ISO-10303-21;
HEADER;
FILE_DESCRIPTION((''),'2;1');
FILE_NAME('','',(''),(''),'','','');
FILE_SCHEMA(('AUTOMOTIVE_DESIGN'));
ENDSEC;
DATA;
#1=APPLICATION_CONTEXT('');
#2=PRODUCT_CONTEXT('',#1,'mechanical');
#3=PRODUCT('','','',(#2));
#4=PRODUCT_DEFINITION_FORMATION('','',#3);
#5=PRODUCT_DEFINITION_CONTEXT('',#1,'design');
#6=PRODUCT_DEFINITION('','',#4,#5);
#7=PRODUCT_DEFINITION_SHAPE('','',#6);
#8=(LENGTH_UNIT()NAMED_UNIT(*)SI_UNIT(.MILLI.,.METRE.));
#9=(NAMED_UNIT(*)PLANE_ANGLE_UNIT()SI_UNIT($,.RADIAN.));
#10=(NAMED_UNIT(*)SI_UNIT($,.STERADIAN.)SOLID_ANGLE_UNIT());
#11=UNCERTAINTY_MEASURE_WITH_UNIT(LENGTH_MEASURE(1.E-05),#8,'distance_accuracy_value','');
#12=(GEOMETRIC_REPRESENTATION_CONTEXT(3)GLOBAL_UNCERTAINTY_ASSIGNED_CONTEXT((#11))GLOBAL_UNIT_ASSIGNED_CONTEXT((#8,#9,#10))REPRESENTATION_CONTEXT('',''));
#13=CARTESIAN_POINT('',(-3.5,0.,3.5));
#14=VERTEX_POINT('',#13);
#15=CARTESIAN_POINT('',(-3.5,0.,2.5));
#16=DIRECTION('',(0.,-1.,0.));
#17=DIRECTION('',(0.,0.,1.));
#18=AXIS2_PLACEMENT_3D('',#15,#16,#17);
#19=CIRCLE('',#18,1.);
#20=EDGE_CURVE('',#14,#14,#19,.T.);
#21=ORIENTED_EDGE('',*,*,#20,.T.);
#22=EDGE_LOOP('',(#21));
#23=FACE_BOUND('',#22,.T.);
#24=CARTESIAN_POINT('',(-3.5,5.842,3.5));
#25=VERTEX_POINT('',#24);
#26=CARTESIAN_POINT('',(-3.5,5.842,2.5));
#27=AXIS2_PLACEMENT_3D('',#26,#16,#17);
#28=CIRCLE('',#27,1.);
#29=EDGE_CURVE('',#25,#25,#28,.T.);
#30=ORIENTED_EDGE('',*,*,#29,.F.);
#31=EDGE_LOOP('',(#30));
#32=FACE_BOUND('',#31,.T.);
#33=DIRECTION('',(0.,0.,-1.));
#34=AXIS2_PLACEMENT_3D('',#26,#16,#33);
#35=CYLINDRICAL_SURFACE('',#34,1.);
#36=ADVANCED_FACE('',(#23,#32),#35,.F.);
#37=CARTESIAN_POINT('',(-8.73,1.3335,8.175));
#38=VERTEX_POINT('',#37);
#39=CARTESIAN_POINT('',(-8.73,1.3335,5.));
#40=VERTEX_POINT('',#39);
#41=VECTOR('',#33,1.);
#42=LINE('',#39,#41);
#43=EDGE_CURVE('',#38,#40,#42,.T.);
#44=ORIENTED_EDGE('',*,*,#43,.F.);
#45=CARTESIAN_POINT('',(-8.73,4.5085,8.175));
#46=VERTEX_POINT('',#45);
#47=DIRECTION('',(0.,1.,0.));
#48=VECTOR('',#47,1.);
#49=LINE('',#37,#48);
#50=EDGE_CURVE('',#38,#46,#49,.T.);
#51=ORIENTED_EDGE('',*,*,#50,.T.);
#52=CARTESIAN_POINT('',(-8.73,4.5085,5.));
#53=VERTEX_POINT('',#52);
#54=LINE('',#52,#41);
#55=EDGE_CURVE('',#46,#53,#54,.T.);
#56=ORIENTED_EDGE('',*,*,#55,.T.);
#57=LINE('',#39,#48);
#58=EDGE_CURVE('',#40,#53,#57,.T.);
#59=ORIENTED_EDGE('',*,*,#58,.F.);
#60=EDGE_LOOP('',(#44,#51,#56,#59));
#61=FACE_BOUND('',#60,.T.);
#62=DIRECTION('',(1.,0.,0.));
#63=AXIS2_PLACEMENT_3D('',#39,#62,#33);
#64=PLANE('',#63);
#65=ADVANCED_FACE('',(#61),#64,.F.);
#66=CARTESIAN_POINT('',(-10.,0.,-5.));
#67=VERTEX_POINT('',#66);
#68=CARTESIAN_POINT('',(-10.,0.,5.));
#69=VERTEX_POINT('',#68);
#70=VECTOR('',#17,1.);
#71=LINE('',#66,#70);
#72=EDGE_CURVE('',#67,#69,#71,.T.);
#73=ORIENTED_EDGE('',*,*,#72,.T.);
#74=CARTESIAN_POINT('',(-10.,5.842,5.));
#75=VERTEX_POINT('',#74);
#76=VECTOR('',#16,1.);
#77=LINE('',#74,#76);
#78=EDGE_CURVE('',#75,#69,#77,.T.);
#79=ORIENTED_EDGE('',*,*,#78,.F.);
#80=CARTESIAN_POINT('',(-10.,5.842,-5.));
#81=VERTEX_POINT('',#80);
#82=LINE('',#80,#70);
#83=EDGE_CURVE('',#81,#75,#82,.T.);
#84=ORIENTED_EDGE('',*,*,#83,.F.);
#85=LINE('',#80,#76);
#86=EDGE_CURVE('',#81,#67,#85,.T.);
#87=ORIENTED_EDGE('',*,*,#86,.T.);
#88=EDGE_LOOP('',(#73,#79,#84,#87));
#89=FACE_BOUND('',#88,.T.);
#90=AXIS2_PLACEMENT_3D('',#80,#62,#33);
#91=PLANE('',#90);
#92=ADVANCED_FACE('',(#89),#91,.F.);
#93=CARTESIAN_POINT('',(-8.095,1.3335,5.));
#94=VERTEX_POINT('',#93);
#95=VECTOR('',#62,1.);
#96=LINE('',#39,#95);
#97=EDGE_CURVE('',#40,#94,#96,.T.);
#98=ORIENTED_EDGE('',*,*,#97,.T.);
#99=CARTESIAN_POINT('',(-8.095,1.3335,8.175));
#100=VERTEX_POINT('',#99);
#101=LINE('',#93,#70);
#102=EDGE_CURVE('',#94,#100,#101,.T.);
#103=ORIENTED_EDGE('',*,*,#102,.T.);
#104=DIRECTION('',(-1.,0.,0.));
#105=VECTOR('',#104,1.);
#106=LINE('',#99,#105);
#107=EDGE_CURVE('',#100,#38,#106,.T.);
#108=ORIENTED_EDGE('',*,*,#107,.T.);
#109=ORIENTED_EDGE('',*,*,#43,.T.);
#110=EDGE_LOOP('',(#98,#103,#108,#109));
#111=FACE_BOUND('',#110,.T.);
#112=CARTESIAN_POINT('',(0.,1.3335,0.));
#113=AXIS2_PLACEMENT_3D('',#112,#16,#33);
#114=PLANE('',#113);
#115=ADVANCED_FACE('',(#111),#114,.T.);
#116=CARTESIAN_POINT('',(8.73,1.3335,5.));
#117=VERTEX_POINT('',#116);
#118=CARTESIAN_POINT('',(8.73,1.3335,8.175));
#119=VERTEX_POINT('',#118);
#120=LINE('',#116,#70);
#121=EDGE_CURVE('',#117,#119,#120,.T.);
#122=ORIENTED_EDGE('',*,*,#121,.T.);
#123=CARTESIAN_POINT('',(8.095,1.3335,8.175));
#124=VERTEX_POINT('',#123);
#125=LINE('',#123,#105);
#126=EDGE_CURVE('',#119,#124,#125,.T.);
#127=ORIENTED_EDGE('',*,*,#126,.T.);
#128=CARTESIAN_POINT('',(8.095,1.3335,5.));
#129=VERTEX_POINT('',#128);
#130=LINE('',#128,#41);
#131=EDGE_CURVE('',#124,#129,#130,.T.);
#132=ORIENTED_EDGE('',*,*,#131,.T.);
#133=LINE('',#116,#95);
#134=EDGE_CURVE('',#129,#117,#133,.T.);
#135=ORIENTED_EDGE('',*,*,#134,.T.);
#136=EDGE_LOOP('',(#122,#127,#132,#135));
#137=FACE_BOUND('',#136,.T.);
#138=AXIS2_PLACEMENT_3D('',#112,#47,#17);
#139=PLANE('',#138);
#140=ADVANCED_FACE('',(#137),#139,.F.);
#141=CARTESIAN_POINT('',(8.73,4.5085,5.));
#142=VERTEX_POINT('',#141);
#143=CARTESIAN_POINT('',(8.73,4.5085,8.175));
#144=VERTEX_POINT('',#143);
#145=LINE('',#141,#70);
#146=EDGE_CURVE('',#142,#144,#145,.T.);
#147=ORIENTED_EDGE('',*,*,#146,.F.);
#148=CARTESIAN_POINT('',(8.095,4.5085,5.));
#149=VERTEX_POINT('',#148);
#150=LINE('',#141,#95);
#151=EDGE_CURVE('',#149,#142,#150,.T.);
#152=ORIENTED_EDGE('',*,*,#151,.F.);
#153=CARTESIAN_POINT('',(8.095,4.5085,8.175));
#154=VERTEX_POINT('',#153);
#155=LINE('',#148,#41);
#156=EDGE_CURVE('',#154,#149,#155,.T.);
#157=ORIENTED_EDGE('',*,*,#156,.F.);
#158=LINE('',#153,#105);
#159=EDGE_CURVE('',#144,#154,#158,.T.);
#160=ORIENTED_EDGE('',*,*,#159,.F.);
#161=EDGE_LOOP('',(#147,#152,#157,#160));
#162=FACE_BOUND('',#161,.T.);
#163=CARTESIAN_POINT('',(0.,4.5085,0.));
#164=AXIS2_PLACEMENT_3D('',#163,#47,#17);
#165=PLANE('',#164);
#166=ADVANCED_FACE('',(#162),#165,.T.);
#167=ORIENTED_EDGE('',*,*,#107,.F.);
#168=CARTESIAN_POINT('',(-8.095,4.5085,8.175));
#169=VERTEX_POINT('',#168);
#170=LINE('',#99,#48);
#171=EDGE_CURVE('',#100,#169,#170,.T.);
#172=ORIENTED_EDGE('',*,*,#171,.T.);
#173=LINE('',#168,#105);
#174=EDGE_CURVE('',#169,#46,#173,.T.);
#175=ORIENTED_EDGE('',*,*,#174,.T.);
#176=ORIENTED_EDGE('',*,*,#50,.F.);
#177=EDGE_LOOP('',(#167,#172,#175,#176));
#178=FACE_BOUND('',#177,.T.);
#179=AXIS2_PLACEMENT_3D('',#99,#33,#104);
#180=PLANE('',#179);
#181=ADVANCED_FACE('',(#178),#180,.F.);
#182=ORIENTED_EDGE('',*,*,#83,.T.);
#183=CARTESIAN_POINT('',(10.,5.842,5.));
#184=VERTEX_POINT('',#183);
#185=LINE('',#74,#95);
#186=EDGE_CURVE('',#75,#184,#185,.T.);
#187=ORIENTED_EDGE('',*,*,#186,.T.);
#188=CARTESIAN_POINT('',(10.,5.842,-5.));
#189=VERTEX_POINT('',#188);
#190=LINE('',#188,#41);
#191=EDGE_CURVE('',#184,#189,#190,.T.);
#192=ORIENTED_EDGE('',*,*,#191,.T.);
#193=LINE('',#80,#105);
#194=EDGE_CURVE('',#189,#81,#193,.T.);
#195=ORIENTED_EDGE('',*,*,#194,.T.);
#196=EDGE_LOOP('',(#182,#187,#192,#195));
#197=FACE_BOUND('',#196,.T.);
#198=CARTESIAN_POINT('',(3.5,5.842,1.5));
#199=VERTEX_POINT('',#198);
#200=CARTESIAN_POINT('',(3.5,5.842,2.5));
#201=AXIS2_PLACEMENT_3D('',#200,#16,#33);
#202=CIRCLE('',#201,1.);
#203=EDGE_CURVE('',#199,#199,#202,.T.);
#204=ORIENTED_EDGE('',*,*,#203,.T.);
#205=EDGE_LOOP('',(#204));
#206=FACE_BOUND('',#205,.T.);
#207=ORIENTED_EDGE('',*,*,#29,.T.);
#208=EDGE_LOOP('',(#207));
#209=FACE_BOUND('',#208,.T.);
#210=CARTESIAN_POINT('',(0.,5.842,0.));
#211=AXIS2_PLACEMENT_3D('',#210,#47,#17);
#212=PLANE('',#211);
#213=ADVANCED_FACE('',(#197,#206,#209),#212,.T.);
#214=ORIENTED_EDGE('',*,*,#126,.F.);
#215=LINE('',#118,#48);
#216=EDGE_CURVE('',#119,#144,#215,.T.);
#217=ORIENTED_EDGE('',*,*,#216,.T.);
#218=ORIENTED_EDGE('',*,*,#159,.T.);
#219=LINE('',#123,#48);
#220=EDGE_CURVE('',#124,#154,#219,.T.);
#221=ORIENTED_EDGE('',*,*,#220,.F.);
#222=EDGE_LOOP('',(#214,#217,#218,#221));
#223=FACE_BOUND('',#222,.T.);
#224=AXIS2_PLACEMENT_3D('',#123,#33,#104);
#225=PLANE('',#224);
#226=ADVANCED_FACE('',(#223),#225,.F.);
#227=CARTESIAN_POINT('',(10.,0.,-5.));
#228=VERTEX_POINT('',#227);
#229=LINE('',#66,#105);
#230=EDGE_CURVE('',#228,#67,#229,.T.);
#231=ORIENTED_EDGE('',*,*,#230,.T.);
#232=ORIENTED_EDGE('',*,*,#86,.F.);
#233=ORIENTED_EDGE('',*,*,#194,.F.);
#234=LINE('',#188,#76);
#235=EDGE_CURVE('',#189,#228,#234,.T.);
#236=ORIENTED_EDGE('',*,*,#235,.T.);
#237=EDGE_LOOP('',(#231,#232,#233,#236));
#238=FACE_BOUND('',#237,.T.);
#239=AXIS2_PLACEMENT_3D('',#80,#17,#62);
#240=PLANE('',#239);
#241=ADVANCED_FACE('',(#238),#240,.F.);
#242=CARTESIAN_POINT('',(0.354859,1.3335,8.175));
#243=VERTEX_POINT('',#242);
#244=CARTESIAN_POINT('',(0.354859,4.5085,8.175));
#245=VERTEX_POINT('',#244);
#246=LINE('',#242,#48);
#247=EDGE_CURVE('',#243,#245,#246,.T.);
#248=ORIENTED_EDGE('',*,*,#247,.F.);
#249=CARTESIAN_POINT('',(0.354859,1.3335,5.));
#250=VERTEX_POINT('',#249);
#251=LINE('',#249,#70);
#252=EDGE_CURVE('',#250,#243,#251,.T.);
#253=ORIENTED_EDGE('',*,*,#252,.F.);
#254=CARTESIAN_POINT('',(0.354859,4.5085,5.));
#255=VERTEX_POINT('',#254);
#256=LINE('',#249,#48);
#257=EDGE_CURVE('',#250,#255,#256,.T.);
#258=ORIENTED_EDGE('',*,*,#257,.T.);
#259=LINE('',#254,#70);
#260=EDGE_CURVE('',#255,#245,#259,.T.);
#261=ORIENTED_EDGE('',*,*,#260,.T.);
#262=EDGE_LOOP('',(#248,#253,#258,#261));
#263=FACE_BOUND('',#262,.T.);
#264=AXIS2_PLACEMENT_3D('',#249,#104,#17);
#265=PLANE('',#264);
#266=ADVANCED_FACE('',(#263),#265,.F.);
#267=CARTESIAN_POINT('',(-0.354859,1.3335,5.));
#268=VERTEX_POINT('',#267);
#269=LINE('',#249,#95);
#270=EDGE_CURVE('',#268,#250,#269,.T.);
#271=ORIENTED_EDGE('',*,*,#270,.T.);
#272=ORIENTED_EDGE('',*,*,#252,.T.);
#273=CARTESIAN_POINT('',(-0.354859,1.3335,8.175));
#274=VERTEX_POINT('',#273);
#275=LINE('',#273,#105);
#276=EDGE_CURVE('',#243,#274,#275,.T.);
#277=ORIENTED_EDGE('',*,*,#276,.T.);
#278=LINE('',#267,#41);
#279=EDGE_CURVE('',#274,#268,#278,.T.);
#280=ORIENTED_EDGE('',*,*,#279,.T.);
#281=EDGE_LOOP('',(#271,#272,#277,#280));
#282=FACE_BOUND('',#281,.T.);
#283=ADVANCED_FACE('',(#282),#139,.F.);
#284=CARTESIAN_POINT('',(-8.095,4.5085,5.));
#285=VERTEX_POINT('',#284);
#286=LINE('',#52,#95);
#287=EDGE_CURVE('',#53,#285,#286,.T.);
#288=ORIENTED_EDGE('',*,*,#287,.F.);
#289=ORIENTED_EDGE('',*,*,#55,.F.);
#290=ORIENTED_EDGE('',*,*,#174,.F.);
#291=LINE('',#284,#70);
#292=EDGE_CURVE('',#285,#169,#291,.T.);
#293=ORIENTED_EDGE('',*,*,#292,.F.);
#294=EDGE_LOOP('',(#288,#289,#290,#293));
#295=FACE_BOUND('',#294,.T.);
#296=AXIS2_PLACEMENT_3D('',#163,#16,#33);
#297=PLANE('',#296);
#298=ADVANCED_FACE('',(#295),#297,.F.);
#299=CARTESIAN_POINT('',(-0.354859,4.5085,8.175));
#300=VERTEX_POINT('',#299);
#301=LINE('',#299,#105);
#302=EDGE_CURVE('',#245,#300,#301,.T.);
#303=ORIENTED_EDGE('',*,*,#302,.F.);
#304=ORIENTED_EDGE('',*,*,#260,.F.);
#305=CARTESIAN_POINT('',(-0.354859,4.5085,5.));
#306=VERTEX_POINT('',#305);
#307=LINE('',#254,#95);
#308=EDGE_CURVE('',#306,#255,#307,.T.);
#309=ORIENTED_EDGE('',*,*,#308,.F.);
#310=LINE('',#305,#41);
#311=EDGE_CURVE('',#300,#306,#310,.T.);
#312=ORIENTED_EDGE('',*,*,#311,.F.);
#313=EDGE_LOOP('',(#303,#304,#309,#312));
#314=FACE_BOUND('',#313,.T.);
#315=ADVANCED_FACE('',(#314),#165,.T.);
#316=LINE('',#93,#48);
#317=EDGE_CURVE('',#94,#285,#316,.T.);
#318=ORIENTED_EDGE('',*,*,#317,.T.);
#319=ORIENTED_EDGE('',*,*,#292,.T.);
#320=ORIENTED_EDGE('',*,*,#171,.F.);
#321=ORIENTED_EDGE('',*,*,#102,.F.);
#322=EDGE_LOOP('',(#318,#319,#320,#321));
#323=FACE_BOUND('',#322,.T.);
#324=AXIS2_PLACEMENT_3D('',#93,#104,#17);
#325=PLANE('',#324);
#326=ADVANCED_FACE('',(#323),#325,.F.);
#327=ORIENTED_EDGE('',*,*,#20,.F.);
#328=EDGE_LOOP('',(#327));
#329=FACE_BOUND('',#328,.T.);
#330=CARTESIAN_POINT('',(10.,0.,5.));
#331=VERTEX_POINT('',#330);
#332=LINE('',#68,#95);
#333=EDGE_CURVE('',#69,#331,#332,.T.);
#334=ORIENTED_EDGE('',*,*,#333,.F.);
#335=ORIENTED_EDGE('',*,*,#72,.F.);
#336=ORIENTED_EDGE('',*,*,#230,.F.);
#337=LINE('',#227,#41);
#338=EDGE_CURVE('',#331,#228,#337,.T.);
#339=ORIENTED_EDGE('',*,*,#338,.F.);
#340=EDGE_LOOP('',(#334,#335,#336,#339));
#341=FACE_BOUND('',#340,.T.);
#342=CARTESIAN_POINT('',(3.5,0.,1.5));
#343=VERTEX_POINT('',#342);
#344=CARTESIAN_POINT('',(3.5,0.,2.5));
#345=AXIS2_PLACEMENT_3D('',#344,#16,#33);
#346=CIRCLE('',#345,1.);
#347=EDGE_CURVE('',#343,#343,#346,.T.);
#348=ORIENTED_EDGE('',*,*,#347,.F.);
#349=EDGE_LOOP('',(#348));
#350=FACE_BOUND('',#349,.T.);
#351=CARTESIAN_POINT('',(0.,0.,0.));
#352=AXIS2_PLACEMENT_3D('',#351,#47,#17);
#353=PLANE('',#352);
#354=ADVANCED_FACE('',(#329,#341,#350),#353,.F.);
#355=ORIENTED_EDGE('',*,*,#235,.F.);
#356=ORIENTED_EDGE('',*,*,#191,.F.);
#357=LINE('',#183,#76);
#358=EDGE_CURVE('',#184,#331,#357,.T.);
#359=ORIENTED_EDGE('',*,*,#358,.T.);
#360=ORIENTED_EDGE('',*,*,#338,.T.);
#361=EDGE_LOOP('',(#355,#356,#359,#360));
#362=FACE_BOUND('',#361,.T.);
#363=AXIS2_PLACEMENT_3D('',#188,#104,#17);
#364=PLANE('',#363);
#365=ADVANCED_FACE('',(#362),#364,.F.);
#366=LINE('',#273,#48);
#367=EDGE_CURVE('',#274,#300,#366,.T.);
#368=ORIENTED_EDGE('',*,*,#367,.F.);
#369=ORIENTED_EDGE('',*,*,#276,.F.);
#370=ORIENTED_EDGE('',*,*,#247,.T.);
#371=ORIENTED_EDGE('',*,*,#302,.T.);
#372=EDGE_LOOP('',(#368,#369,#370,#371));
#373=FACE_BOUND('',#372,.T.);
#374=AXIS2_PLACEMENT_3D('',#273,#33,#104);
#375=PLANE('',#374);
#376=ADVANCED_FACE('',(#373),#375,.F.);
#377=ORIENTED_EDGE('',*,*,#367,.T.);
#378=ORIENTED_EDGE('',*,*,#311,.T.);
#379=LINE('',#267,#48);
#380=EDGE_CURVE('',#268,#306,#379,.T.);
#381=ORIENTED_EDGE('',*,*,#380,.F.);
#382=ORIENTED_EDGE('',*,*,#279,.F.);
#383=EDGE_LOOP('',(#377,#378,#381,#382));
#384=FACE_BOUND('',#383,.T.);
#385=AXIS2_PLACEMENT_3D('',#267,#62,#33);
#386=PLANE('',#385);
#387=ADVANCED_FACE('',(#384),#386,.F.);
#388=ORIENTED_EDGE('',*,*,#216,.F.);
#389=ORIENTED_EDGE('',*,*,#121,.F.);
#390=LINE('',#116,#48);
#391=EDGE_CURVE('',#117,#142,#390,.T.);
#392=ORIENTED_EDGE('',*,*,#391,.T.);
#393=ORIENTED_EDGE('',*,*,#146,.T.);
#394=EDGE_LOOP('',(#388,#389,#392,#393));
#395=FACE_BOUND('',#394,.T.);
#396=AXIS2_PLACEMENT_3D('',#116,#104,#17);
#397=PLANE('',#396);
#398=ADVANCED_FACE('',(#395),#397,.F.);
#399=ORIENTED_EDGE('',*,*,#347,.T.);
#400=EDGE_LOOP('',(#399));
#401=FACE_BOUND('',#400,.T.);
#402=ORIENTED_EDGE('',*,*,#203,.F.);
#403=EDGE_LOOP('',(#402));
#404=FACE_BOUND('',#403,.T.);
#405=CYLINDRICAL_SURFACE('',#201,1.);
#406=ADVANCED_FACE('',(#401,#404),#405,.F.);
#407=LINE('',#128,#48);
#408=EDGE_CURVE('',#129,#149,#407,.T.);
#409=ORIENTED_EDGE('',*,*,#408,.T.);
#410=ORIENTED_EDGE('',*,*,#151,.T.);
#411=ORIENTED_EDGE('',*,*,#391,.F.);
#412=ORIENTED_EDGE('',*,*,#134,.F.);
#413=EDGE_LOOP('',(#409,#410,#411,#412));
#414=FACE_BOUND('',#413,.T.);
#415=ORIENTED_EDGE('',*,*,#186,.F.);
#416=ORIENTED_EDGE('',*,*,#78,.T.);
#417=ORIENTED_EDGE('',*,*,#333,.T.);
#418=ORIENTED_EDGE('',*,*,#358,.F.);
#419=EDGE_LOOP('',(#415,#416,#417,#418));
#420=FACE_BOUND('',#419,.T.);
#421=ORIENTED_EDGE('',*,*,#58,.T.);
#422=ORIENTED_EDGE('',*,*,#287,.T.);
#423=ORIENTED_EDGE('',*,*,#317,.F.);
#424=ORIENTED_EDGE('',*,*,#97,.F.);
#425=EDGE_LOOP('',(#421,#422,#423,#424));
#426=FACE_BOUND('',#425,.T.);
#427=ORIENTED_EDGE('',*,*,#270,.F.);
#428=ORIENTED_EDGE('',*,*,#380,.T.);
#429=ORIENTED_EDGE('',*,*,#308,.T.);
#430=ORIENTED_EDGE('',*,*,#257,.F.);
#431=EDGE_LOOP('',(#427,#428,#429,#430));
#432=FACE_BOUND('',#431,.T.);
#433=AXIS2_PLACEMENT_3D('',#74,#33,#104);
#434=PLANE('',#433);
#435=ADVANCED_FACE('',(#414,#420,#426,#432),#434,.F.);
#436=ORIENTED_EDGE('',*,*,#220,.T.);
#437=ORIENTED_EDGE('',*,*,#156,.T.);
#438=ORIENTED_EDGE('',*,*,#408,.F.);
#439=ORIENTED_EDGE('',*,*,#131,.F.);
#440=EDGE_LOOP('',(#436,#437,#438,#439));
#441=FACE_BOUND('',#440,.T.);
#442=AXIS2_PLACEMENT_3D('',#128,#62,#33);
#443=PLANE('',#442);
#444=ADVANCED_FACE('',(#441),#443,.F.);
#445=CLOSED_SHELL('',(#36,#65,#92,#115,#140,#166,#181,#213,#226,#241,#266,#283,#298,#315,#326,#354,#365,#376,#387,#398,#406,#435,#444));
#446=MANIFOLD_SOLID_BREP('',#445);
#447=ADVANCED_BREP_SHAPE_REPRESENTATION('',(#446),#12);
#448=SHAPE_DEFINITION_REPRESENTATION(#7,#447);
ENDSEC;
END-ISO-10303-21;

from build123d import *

# Parameters (mm, degrees)
ESQUISSE1_W             = 20
ESQUISSE1_H             = 10
BOSS_EXTRU_1_DEPTH      = 5.842
ESQUISSE2_W             = 0.635
ESQUISSE2_H             = 3.175
ESQUISSE2_W_2           = 0.70971707
BOSS_EXTRU_3_DEPTH      = 1.5875
ESQUISSE3_R             = 1
ENL_V_MAT_EXTRU_1_DEPTH = 15.176021621


with BuildPart() as part:
    # Esquisse1 → Boss.-Extru.1 (new body)
    with BuildSketch(Plane(origin=(0, 0, 0), x_dir=(1, 0, 0), z_dir=(0, 1, 0))):
        Rectangle(ESQUISSE1_W, ESQUISSE1_H)
    extrude(amount=BOSS_EXTRU_1_DEPTH)

    # Esquisse2 → Boss.-Extru.3 (add, symmetric)
    with BuildSketch(Plane(origin=(0, 2.921, 0), x_dir=(-1, 0, 0), z_dir=(0, -1, 0))):
        with Locations((8.4125, -6.5875)):
            Rectangle(ESQUISSE2_W, ESQUISSE2_H)
        with Locations((-8.4125, -6.5875)):
            Rectangle(ESQUISSE2_W, ESQUISSE2_H)
        with Locations((0, -6.5875)):
            Rectangle(ESQUISSE2_W_2, ESQUISSE2_H)
    extrude(amount=BOSS_EXTRU_3_DEPTH, both=True)

    # Esquisse3 → Enlèv. mat.-Extru.1 (cut, through all)
    with BuildSketch(Plane.XZ):
        with Locations(Location((3.5, 2.5, 0), (0, 0, 270))):
            Circle(ESQUISSE3_R)
        with Locations(Location((-3.5, 2.5, 0), (0, 0, 90))):
            Circle(ESQUISSE3_R)
    extrude(amount=-ENL_V_MAT_EXTRU_1_DEPTH, mode=Mode.SUBTRACT)


solid = part.part
